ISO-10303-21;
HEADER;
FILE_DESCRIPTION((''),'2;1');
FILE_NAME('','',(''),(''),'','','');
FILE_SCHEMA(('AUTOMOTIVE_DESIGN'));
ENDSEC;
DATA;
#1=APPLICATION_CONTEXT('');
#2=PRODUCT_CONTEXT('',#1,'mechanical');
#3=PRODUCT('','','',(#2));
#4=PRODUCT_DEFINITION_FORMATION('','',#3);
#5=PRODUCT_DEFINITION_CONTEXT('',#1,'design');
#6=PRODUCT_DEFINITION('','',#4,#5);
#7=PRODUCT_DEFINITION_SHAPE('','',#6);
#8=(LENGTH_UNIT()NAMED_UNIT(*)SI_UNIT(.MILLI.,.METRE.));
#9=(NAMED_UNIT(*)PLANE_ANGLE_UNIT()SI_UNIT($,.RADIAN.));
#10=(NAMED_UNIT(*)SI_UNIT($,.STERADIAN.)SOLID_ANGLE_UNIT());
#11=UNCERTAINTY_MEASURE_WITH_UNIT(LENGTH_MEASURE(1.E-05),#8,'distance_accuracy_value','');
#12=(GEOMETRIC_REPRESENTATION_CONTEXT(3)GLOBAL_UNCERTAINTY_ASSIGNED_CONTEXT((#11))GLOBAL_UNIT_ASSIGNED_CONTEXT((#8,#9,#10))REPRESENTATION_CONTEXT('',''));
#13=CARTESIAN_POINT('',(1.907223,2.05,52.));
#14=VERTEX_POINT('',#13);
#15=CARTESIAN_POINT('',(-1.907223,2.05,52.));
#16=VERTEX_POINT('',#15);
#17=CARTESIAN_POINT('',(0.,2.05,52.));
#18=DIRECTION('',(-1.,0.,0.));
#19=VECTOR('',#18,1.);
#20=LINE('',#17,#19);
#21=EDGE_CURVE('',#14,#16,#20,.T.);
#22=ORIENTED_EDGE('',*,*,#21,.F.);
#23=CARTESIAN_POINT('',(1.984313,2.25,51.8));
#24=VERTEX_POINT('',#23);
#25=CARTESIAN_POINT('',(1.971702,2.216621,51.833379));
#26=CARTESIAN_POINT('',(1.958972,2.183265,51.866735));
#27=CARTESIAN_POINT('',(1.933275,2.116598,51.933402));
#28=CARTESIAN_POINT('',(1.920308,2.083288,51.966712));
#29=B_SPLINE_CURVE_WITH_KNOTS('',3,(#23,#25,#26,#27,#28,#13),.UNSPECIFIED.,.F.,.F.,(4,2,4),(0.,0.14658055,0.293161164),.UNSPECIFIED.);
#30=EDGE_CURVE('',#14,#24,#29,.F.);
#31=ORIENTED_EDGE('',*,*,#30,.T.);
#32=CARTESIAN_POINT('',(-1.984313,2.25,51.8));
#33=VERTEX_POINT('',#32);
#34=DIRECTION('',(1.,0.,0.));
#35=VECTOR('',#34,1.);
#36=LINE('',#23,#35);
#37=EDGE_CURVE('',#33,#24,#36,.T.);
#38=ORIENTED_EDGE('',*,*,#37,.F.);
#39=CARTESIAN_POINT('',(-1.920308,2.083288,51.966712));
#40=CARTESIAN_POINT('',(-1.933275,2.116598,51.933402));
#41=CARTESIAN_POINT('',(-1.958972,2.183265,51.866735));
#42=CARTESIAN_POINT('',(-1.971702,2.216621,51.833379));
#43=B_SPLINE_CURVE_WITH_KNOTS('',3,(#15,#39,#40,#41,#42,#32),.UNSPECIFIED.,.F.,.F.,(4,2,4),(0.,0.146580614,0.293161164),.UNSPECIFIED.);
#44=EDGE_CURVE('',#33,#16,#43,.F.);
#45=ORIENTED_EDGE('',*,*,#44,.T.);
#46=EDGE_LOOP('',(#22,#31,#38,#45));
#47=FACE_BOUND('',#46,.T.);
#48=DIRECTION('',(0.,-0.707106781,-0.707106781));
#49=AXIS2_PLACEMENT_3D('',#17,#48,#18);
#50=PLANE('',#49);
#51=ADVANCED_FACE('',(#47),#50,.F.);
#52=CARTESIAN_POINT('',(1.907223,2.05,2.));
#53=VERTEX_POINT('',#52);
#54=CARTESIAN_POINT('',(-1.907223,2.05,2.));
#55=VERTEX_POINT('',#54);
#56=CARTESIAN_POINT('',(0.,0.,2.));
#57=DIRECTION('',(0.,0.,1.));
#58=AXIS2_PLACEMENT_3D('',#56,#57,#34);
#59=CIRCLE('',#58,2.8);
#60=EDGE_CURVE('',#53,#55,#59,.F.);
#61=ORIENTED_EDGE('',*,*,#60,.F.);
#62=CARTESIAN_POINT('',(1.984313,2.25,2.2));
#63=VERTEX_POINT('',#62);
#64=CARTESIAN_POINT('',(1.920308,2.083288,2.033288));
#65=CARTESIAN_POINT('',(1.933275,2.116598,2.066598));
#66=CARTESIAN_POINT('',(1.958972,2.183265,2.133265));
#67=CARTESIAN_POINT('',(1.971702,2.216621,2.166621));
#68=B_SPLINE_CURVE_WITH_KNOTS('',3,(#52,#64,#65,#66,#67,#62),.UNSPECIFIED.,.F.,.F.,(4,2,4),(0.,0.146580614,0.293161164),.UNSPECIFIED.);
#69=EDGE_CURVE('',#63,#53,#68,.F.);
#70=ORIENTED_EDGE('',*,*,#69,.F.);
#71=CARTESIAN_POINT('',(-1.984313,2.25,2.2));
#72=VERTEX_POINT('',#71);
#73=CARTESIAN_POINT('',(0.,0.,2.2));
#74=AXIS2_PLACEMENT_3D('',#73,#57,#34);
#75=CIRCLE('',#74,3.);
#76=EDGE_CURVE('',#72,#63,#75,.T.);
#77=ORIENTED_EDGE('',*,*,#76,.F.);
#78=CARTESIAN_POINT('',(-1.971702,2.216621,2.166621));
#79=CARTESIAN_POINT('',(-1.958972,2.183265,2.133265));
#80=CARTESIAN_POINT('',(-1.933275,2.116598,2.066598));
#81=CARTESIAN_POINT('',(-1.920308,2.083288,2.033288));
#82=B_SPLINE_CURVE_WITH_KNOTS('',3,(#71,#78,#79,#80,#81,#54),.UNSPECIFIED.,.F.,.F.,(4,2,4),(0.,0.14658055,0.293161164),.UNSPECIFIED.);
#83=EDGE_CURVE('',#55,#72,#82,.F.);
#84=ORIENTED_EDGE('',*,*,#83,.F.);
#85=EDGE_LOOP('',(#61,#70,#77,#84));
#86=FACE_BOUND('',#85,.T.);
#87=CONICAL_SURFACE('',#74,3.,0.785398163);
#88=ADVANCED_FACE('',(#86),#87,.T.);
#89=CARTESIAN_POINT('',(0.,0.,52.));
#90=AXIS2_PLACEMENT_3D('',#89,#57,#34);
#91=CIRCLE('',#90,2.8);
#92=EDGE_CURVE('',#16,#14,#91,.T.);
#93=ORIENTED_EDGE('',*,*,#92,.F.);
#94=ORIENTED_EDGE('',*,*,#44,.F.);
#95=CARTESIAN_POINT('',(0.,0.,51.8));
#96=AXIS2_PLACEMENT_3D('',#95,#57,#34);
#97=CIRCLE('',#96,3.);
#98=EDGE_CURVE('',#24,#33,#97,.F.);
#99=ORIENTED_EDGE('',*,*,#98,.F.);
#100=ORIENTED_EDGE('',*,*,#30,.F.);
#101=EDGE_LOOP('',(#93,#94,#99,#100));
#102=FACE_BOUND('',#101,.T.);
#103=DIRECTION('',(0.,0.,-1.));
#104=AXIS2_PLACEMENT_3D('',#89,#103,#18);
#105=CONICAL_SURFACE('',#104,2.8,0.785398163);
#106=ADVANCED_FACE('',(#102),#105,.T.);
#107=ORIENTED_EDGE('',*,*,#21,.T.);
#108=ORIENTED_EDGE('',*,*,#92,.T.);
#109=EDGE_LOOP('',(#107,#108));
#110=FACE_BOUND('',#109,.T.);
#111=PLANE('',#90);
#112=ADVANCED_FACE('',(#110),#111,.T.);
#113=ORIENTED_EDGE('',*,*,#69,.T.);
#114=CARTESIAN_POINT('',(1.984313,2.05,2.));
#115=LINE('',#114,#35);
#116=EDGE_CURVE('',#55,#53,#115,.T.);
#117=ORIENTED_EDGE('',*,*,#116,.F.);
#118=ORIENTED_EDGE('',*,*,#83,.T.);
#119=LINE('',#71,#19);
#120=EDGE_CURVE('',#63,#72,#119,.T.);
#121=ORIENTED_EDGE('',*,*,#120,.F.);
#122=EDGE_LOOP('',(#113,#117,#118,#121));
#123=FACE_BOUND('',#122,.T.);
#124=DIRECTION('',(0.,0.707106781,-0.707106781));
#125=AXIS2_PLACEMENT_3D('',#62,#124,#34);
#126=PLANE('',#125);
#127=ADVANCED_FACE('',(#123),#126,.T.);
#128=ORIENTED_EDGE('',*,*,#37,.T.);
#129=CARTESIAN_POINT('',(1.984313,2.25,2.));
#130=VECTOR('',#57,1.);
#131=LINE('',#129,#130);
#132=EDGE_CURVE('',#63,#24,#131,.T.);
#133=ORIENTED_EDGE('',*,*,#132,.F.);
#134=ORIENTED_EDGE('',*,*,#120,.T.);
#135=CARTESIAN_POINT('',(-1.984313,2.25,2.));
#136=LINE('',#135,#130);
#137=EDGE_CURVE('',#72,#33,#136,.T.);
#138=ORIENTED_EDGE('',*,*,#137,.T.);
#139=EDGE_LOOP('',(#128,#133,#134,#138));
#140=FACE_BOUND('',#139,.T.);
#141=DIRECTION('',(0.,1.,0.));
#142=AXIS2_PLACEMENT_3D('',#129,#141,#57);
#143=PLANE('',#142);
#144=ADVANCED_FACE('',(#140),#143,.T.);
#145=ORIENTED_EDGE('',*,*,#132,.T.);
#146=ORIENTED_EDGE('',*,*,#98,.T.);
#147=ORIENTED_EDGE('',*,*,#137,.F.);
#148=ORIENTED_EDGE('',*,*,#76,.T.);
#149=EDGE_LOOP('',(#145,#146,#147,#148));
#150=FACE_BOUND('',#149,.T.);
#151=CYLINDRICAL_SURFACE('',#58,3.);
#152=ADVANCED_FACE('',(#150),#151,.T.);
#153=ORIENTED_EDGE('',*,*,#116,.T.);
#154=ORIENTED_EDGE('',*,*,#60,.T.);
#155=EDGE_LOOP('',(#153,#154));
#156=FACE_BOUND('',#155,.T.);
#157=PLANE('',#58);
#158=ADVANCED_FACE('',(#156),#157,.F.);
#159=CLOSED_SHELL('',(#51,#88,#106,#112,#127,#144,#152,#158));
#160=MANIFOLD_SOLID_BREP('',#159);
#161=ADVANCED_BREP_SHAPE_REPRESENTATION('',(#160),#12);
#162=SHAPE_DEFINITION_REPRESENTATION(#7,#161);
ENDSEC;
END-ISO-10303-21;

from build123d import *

# Parameters (mm, degrees)
EXTRUDE_1_DEPTH = 50
CHAMFER_1_SIZE  = 0.2


with BuildPart() as part:
    # 草圖1 → 填料-伸長1 (new body)
    with BuildSketch(Plane.XY.offset(52)):
        with BuildLine():
            Line((1.984313483, 2.25), (-1.984313483, 2.25))
            ThreePointArc((-1.984313483, 2.25), (0, -3), (1.984313483, 2.25))
        make_face()
    extrude(amount=-EXTRUDE_1_DEPTH)

    # 導角1
    chamfer_1_edges = [part.edges().sort_by_distance(p)[0] for p in [
        (0, 2.25, 52),
        (0, -3, 52),
        (0, -3, 2),
        (0, 2.25, 2),
    ]]
    chamfer(chamfer_1_edges, length=CHAMFER_1_SIZE)


solid = part.part
